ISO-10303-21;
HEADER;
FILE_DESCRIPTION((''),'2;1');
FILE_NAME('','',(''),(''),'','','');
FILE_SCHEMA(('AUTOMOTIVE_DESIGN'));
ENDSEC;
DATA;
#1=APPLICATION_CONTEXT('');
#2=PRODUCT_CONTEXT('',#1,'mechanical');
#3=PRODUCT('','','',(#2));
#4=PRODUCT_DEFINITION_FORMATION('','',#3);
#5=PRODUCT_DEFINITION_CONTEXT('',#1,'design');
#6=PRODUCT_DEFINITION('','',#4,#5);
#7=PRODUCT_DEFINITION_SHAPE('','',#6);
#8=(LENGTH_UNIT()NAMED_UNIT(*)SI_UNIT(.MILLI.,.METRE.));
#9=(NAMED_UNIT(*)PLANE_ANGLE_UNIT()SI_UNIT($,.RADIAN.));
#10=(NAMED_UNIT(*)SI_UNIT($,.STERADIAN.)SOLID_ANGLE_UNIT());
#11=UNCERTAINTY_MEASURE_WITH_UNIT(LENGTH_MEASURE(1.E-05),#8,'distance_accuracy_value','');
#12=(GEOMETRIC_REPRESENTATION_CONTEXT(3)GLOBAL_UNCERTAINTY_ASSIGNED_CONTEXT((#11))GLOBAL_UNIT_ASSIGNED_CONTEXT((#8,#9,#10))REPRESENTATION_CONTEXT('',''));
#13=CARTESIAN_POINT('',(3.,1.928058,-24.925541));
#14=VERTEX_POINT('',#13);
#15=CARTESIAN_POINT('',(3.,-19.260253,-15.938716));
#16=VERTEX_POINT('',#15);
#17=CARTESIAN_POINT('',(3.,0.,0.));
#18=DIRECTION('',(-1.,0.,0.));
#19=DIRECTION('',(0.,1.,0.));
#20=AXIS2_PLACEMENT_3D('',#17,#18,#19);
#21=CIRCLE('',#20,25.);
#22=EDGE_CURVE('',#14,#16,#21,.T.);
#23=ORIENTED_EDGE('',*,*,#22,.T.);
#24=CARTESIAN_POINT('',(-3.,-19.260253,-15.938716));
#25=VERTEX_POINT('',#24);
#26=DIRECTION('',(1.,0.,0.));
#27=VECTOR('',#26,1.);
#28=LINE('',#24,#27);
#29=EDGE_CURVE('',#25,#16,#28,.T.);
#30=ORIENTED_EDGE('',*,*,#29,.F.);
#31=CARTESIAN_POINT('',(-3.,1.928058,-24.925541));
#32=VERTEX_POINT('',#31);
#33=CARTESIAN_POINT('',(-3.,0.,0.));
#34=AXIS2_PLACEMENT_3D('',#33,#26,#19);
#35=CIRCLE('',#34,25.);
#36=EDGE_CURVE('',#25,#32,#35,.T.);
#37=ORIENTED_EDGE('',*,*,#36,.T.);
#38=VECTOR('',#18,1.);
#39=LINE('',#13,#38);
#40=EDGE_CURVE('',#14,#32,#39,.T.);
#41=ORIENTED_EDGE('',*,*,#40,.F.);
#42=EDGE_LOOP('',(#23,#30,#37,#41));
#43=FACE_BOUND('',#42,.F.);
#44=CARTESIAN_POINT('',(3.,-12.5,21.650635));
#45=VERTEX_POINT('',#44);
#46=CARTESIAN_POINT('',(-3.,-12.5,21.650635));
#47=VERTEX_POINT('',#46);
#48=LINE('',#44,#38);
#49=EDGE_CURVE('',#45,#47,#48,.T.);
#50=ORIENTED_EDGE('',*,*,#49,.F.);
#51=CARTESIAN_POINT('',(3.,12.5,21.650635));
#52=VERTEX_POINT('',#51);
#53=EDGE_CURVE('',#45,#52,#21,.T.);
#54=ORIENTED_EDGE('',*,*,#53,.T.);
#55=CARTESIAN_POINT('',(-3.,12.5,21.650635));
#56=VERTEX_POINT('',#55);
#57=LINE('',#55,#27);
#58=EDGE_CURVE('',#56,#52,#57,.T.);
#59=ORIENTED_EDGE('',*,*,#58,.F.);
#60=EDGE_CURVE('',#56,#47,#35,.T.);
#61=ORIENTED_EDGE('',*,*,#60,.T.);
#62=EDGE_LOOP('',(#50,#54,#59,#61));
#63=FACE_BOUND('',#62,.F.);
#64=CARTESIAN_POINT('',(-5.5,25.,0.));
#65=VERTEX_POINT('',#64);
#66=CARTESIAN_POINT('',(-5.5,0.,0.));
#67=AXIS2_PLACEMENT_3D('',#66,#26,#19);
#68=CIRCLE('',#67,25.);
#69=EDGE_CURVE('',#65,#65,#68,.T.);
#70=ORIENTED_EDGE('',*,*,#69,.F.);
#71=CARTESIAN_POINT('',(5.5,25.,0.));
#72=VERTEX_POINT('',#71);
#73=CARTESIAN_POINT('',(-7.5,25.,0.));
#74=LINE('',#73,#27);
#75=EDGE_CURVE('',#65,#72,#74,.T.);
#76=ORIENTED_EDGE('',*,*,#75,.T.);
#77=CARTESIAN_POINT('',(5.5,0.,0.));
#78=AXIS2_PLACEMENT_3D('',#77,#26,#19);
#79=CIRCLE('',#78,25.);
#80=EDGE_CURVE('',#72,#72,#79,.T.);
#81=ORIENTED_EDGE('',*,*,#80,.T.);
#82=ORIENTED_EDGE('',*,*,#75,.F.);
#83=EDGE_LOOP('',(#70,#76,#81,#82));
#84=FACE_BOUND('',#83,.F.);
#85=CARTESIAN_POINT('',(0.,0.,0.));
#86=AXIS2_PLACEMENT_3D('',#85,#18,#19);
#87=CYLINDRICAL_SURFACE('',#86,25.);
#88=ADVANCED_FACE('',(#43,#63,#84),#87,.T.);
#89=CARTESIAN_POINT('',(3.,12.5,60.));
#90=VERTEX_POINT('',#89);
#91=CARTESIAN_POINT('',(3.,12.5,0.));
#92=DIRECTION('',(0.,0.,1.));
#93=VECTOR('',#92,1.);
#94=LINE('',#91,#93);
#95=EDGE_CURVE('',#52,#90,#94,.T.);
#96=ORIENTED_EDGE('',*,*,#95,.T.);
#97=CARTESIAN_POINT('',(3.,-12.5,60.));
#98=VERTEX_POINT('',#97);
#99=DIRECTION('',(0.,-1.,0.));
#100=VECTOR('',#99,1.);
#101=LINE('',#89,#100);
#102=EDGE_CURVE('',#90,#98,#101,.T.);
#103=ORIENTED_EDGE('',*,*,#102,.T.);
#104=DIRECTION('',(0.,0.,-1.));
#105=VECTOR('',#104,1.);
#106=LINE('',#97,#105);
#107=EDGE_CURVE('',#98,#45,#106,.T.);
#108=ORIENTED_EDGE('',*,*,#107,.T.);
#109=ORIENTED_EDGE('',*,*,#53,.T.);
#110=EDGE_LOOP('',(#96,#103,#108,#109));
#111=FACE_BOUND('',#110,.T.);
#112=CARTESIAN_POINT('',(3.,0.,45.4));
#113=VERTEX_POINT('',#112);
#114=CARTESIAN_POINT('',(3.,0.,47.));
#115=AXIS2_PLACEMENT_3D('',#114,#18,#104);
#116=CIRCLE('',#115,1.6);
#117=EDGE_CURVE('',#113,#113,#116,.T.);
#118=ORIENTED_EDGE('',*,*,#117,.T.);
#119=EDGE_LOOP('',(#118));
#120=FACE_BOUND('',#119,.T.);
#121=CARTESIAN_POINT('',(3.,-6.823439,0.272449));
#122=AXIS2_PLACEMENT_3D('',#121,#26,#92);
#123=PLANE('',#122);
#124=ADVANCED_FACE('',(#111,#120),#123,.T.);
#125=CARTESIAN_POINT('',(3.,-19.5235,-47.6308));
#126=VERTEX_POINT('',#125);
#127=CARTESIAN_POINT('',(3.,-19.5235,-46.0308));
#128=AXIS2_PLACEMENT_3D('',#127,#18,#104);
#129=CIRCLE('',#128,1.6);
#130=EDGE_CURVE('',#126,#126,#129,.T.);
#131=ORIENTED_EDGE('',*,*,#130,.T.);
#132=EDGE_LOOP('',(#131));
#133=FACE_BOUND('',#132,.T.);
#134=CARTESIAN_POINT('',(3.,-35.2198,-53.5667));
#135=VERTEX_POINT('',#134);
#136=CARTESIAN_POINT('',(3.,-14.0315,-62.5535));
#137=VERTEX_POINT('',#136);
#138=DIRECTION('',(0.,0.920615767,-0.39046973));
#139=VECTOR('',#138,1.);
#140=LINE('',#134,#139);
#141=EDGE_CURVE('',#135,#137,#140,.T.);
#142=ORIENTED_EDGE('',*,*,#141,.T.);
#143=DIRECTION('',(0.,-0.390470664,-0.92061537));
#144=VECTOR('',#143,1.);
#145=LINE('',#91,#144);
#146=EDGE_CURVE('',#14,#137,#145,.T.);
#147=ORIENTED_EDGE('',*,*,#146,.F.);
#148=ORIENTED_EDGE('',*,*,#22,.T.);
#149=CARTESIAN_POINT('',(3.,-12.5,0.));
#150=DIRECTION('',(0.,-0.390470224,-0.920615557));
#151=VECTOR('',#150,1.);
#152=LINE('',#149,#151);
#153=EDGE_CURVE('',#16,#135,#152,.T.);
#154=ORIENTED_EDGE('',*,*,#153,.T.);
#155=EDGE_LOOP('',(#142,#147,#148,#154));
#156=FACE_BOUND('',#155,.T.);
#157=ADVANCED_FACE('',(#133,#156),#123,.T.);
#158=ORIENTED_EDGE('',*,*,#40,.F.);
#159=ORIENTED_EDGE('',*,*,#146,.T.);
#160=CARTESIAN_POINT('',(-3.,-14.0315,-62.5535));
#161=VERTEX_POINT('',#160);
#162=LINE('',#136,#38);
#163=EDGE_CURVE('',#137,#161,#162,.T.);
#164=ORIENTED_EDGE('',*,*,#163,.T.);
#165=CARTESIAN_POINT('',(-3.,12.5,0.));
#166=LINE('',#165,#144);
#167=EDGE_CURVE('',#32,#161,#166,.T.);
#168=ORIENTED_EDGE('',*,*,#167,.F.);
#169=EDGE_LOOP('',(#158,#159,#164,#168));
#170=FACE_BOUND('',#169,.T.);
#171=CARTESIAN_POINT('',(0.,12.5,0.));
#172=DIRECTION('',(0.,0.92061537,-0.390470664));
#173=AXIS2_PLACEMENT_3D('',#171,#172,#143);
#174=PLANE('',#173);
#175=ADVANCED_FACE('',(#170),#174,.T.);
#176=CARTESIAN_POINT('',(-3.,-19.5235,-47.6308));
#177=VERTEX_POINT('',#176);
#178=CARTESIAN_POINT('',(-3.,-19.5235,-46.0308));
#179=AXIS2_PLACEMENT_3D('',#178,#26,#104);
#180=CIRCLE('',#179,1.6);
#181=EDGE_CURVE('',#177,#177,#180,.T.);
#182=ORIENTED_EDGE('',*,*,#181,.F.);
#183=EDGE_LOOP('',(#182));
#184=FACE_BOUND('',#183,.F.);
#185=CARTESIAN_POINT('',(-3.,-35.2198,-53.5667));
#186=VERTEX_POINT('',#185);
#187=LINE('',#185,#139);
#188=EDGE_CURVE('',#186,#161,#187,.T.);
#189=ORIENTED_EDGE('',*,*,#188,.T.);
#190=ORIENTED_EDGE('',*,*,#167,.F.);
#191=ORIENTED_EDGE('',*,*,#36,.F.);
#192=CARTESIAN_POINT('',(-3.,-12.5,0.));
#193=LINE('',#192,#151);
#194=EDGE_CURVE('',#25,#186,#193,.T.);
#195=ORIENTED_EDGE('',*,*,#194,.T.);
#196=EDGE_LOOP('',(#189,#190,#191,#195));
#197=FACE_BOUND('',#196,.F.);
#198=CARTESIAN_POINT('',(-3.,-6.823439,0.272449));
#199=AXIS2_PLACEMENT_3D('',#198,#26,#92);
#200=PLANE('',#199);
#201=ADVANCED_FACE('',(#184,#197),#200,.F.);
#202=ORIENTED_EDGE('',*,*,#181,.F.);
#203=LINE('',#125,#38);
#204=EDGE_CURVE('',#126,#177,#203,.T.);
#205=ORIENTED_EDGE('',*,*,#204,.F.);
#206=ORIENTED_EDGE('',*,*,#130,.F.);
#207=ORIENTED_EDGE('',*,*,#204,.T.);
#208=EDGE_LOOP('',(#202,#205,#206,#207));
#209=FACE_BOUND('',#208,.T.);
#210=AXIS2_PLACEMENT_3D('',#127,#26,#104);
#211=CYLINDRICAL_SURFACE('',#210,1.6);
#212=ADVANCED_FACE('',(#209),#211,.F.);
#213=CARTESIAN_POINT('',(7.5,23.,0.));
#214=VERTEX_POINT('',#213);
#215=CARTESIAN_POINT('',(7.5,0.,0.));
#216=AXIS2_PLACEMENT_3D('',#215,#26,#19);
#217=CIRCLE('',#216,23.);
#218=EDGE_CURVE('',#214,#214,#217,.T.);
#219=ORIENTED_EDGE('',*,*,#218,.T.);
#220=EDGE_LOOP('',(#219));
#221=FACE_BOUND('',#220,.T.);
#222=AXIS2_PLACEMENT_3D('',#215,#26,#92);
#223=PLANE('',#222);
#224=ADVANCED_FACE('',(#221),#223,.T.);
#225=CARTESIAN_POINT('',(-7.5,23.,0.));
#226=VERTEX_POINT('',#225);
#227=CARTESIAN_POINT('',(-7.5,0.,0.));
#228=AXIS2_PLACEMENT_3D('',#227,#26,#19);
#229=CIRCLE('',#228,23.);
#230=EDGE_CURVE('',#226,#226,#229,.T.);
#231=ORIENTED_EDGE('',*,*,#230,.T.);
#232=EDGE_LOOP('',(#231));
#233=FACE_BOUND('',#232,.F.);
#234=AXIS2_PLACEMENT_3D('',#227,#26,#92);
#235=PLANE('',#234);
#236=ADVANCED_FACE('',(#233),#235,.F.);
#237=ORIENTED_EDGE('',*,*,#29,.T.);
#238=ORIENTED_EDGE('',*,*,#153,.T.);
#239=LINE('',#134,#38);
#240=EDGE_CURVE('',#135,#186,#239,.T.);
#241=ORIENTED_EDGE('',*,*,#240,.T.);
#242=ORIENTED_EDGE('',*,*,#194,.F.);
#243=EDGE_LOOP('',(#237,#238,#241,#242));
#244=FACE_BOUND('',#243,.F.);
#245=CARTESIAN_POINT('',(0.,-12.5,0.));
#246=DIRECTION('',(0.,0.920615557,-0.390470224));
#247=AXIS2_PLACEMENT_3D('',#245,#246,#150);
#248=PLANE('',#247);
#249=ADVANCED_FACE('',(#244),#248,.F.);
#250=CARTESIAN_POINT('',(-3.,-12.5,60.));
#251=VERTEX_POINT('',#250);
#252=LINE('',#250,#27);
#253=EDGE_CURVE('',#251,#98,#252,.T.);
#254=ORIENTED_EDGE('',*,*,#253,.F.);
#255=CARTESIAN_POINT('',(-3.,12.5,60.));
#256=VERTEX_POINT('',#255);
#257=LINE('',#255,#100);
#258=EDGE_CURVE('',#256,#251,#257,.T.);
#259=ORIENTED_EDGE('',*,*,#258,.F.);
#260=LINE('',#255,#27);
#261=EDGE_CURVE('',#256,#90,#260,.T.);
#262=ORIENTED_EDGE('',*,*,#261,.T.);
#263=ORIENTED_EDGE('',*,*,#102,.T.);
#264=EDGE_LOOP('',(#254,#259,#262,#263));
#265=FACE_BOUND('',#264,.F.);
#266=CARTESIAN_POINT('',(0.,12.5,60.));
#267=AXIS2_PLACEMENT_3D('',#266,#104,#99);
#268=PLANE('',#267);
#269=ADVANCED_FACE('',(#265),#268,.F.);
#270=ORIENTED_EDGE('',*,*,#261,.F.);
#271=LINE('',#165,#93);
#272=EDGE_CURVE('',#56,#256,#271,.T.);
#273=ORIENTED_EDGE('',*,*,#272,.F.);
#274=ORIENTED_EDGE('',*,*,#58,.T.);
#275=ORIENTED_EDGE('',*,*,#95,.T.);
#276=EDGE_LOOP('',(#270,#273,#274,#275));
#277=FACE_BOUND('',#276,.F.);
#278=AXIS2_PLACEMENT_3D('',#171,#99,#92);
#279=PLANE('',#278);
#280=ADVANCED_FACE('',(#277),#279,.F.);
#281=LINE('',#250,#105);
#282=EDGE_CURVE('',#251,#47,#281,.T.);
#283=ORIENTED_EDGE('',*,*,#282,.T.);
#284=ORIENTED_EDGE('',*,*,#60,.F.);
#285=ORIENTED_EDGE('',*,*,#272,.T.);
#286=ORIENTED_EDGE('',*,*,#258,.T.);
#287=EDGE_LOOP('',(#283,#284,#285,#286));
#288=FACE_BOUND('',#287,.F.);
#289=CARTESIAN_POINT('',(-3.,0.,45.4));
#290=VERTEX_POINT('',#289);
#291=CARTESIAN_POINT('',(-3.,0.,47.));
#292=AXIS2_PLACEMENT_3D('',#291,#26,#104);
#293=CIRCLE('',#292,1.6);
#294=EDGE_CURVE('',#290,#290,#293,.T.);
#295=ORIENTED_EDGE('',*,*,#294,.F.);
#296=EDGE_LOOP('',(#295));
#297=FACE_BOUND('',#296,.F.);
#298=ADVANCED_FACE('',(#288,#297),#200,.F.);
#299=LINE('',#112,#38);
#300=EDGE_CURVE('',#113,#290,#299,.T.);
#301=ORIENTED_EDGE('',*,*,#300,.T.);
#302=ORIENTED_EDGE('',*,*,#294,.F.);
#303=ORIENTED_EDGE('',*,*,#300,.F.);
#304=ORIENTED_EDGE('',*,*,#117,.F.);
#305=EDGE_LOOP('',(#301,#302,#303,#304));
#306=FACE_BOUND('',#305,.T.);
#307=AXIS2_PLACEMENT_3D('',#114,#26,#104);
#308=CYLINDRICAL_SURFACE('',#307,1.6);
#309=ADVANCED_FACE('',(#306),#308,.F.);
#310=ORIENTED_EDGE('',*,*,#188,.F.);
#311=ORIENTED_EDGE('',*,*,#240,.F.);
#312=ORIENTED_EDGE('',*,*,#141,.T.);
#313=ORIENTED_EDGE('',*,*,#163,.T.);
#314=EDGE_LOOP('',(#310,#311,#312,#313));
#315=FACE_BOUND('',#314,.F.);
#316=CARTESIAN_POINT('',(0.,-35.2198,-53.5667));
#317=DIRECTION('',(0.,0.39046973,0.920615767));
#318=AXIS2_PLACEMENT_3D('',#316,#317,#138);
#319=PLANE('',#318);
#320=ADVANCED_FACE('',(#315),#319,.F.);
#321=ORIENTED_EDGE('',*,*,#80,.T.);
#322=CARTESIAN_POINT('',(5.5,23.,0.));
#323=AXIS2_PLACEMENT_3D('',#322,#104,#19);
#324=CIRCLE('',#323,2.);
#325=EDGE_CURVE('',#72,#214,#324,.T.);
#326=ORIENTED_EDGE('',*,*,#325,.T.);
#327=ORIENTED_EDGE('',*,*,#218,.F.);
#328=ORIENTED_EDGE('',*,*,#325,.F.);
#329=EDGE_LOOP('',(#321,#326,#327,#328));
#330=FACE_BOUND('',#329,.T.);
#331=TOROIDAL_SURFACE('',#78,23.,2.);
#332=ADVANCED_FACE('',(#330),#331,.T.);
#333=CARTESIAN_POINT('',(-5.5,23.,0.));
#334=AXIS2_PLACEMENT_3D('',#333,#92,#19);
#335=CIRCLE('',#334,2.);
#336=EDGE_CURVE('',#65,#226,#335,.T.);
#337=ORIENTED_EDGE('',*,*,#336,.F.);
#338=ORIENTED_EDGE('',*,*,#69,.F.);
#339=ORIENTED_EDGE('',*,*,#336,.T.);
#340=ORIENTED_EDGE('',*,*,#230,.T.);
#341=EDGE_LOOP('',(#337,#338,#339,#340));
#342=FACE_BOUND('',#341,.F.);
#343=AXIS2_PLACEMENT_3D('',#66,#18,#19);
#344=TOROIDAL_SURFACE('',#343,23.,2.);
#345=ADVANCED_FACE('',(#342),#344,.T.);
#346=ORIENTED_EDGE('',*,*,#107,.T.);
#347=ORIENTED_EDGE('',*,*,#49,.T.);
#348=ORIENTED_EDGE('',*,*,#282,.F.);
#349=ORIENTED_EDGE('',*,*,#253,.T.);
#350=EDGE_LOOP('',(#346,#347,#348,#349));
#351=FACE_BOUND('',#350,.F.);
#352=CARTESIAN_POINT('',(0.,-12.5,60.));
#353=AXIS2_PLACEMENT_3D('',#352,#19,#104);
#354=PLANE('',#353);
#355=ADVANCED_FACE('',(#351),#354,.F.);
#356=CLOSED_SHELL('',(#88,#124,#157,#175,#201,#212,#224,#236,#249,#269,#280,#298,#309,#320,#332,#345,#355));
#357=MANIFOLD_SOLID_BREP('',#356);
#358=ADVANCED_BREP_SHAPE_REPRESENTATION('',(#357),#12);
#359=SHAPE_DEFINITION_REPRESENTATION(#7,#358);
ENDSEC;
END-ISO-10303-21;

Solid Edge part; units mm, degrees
sketch "Sketch1" plane through (0, 0, 0) normal (1, 0, 0) x (0, 1, 0)
  circle A0 centre (0, 0) radius 25
extrude "Protrusion1" add sketch "Sketch1" along normal mid plane 15
sketch "Sketch2" plane through (0, 0, 0) normal (1, 0, 0) x (0, 1, 0)
  line L0 (12.5, 0) -> (12.5, 60)
  line L1 (12.5, 60) -> (-12.5, 60)
  line L2 (-12.5, 60) -> (-12.5, 0)
  line L3 (-12.5, 0) -> (-35.2198, -53.5667)
  line L4 (-35.2198, -53.5667) -> (-14.0315, -62.5535)
  line L5 (12.5, 0) -> (-14.0315, -62.5535)
extrude "ExtrudedProtrusion_2" add sketch "Sketch2" along normal mid plane 6
fillet "Round_1" radius 2 2 edges at (7.5, -25, 0) (-7.5, -25, 0)
hole "Hole_4" at (3, -19.5235, -46.0308) direction (-1, 0, 0) diameter 3.2 end up to next
hole "Hole_6" at (3, 0, 47) direction (-1, 0, 0) diameter 3.2 end up to next
properties material "ABS Plastic, medium impact"
